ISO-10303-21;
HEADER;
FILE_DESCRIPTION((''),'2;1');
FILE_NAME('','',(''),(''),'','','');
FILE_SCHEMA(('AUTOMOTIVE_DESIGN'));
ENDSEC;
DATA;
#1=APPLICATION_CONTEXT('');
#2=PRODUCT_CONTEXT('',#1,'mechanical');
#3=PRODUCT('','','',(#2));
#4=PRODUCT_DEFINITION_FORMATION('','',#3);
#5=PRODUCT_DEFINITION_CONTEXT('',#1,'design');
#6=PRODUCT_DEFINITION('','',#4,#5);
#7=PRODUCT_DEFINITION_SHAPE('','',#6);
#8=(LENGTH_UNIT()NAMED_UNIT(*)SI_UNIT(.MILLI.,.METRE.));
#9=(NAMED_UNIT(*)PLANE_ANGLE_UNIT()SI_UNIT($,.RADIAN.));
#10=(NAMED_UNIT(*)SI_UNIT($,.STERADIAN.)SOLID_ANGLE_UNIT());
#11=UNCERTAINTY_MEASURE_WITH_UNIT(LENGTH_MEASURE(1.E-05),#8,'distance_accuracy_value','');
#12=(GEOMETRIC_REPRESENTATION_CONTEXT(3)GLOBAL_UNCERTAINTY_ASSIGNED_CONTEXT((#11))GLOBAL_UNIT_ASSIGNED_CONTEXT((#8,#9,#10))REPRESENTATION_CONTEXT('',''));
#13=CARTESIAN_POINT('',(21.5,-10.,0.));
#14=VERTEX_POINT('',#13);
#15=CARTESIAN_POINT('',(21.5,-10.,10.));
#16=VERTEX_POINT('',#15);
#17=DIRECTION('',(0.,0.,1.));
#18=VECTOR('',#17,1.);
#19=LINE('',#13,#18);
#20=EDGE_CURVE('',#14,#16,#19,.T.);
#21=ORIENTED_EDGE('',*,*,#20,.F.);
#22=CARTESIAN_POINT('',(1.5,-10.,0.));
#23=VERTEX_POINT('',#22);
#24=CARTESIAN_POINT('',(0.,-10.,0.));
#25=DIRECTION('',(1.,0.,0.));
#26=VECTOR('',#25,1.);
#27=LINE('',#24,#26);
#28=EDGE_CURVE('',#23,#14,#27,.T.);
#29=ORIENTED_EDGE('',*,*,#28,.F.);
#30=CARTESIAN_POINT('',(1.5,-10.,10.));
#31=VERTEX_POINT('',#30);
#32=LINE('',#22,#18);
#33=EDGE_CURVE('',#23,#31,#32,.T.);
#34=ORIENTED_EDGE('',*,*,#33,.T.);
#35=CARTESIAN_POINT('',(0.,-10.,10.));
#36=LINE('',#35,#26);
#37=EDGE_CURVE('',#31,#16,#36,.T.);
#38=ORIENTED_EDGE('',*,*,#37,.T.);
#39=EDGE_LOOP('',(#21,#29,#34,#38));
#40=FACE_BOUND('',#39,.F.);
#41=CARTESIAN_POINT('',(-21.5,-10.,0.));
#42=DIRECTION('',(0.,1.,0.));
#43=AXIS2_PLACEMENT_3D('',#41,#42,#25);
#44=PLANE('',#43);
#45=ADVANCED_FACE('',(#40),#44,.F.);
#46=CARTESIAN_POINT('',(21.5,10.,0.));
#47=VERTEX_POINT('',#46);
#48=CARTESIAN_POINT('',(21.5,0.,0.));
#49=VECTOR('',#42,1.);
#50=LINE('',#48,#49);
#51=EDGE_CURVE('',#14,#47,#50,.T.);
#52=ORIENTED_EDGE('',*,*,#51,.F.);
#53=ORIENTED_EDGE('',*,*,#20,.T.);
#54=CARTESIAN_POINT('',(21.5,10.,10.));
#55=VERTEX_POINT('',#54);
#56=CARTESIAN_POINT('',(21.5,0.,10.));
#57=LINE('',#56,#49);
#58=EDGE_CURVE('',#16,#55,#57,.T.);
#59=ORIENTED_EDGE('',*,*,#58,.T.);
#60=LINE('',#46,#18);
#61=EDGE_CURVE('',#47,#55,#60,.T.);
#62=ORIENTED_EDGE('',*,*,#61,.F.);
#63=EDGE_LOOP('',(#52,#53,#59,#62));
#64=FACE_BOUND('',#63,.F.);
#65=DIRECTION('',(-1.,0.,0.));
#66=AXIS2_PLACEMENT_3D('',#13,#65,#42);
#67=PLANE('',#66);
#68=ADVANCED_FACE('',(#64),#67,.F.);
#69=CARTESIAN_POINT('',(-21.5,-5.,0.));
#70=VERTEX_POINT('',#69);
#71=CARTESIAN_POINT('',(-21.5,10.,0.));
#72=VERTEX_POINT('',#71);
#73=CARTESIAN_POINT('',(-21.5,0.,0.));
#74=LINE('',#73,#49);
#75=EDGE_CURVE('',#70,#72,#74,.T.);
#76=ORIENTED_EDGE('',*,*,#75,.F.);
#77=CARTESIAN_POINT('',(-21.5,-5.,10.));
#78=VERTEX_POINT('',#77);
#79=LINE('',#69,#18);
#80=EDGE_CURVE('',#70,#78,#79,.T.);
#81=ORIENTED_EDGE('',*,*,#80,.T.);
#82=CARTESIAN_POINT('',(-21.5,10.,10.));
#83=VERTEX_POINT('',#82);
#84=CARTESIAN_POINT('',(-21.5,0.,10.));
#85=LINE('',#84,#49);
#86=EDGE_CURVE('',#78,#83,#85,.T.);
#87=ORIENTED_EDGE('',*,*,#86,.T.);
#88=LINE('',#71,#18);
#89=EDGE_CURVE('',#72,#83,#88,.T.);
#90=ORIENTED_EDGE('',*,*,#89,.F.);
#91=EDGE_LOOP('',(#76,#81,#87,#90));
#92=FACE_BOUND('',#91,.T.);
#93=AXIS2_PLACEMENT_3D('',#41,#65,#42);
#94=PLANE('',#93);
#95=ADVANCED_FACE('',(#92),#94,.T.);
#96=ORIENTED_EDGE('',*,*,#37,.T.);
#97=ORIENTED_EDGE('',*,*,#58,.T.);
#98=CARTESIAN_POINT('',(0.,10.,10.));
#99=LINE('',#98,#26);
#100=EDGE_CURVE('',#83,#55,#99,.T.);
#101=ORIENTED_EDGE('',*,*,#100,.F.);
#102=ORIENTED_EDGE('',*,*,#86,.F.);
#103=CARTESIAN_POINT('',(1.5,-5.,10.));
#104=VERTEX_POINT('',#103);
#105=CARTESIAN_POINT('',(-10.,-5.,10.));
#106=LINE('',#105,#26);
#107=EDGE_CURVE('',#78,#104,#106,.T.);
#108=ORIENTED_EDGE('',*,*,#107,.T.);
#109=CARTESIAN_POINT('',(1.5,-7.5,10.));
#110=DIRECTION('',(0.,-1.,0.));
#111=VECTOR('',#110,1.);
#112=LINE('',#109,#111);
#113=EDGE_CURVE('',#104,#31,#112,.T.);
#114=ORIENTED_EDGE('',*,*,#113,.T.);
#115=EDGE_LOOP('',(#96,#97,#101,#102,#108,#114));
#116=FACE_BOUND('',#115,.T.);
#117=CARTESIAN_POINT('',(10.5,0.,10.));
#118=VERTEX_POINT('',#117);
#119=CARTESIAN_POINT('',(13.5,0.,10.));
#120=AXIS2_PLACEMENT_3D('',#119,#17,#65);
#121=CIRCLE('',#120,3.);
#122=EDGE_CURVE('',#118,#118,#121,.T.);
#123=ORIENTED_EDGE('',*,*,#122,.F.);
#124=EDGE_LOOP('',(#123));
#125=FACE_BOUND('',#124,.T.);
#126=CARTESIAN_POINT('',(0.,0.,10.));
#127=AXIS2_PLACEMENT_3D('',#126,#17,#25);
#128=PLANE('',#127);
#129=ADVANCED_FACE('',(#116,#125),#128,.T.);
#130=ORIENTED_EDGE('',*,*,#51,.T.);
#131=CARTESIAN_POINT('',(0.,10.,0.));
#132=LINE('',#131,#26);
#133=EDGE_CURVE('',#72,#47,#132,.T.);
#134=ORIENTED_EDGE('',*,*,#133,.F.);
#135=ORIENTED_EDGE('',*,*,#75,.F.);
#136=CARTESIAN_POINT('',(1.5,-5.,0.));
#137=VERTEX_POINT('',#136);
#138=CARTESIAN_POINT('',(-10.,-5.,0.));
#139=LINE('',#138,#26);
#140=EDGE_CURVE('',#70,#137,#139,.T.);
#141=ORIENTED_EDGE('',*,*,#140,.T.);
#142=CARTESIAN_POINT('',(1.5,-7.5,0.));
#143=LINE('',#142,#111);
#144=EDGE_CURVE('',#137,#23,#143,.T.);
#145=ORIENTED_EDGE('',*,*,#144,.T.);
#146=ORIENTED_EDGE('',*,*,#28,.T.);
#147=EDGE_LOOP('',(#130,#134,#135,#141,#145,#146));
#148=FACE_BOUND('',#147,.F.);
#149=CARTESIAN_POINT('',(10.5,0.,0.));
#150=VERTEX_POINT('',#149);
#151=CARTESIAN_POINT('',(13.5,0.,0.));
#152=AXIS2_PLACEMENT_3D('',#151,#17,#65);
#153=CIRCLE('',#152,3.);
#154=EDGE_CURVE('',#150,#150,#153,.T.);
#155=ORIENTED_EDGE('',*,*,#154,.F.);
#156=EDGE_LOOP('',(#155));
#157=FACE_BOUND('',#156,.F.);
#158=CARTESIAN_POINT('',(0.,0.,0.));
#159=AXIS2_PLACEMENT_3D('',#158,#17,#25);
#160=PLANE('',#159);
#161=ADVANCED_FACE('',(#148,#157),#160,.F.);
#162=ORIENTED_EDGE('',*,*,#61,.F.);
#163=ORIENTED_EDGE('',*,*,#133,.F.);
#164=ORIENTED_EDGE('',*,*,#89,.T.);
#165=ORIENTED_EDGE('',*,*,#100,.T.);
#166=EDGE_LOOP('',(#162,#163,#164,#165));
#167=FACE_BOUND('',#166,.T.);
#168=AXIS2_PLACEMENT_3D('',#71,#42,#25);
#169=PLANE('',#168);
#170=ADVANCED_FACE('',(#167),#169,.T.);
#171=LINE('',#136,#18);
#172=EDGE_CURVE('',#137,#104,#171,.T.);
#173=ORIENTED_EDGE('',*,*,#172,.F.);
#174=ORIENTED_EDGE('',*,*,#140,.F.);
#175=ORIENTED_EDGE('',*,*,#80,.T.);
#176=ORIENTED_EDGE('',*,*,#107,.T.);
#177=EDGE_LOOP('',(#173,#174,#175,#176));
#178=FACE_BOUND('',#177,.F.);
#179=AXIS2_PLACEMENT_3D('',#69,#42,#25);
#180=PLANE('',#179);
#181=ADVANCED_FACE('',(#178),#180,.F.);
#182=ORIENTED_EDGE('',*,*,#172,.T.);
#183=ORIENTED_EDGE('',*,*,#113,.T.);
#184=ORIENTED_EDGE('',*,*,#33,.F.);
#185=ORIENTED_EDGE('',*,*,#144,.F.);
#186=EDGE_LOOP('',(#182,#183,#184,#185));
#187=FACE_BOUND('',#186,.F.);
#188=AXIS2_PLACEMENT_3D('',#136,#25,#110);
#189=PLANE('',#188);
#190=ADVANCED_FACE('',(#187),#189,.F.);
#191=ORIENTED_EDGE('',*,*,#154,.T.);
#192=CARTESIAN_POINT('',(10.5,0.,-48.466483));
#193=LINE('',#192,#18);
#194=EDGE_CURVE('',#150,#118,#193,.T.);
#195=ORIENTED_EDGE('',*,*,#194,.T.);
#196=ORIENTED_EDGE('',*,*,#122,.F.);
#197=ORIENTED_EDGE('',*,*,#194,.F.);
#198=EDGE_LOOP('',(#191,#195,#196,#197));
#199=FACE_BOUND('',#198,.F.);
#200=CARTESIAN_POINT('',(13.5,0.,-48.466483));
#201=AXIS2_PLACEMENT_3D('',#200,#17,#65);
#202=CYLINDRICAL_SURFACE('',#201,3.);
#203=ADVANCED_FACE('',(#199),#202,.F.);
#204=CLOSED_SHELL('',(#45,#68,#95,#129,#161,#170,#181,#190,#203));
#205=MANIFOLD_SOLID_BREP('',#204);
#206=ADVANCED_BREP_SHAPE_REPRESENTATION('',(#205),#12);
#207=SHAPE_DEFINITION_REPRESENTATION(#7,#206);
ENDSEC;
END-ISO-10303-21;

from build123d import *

# Parameters (mm, degrees)
F0_W     = 43
F0_H     = 20
F1_DEPTH = 10
F2_D     = 6
F3_W     = 23
F3_H     = 5
F4_DEPTH = 10


with BuildPart() as f1:
    # F0 (on Top) → F1 (new body)
    with BuildSketch(Plane.XY):
        Rectangle(F0_W, F0_H)
    extrude(amount=F1_DEPTH)

    # F2 (through all)
    with Locations(Plane(origin=(0, 0, 0), x_dir=(1, 0, 0), z_dir=(0, 0, -1))):
        with Locations((13.5, 0)):
            Hole(F2_D / 2)

    # F3 (on face) → F4 (cut)
    with BuildSketch(Plane(origin=(0, 0, 0), x_dir=(1, 0, 0), z_dir=(0, 0, -1))):
        with Locations((-10, 7.5)):
            Rectangle(F3_W, F3_H)
    extrude(amount=-F4_DEPTH, mode=Mode.SUBTRACT)


solid = f1.part
